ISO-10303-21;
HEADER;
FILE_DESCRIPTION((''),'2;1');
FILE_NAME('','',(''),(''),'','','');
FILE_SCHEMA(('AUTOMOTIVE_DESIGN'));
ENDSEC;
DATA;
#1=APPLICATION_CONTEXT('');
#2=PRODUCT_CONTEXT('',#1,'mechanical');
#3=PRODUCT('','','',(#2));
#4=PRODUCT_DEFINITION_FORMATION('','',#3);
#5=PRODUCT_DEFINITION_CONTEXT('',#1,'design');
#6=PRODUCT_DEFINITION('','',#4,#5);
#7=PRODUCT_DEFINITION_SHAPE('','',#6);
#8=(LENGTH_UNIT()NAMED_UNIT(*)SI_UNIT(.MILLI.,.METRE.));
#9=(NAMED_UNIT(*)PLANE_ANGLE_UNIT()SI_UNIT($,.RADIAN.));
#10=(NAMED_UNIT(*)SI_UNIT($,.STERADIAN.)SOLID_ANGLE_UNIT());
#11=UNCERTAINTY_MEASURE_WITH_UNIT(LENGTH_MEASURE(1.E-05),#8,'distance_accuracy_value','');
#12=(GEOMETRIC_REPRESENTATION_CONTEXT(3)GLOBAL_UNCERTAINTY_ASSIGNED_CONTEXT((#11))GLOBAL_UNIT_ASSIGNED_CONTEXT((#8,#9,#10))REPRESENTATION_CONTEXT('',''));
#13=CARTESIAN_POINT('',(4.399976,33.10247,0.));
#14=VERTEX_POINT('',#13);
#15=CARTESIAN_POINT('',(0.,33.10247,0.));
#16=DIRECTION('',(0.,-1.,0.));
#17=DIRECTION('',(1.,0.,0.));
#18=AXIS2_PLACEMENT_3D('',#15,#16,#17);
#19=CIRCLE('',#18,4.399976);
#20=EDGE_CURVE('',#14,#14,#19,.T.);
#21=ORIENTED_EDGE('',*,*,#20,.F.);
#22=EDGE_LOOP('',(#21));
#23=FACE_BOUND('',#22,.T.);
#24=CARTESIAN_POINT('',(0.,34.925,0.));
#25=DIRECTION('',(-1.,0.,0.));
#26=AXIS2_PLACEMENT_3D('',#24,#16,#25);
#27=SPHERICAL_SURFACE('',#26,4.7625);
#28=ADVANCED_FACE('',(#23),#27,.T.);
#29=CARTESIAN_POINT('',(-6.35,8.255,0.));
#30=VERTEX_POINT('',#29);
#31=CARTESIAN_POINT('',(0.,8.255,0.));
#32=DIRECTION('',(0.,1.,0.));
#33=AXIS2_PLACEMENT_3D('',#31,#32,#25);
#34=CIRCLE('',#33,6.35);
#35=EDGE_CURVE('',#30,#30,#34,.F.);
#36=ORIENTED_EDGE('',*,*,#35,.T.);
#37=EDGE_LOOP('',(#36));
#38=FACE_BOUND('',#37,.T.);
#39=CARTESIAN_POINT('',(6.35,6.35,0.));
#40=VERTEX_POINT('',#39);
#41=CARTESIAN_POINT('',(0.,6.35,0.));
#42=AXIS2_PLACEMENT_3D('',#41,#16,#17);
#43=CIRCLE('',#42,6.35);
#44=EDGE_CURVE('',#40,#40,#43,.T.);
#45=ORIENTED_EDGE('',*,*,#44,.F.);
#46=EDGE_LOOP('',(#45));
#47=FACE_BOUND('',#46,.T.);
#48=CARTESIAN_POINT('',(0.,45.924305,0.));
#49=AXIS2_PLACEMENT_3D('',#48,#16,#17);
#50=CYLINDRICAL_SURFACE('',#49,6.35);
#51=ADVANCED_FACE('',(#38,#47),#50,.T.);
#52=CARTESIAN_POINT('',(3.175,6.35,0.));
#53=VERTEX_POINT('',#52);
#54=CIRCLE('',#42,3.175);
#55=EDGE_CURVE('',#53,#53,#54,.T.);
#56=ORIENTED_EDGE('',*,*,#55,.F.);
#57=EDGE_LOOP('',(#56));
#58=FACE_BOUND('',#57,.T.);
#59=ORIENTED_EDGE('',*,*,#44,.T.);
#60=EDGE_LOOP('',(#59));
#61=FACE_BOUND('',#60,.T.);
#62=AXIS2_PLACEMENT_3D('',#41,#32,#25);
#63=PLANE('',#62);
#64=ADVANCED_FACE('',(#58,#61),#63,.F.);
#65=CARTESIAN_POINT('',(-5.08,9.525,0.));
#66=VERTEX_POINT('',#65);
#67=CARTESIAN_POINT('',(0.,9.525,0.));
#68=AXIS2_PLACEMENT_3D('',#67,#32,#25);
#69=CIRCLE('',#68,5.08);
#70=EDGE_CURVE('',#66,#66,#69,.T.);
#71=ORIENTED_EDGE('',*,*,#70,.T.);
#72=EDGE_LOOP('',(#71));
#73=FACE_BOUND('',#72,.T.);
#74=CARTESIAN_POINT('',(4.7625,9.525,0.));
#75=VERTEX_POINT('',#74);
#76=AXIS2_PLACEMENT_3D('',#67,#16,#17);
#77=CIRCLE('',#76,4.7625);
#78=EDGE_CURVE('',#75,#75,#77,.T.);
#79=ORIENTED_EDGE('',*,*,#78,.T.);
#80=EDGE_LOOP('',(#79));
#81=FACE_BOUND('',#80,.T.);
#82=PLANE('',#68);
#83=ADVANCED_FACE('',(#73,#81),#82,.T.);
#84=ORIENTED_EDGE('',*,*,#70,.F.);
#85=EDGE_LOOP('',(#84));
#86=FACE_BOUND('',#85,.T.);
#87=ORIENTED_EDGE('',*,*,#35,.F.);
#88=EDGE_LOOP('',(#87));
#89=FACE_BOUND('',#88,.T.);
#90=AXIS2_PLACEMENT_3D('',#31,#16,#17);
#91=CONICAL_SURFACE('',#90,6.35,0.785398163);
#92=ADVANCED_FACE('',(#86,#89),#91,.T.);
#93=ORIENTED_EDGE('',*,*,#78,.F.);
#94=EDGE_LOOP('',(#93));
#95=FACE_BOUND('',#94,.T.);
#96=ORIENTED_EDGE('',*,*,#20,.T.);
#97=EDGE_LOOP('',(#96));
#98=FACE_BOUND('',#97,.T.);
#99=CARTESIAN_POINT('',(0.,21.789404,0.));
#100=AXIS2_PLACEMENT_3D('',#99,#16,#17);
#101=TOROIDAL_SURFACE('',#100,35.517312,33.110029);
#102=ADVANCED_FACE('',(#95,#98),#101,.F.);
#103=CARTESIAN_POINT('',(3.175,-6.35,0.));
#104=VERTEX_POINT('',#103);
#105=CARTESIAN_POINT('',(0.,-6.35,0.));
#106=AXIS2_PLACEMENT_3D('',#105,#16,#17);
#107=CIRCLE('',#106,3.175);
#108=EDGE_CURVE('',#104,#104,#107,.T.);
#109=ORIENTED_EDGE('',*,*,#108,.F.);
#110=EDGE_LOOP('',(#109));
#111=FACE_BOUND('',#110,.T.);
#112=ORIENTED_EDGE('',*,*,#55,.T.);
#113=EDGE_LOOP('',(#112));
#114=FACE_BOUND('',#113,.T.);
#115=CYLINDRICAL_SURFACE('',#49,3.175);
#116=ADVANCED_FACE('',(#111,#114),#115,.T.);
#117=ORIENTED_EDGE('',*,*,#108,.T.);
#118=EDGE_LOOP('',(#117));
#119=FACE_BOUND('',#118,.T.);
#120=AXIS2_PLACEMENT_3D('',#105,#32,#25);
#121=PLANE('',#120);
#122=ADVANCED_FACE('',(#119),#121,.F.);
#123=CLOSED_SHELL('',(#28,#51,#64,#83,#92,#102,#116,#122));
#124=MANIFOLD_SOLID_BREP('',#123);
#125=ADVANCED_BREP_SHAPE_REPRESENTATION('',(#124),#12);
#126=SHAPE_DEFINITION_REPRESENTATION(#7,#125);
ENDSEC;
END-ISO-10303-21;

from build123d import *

# Parameters (mm, degrees)
SKETCH1_W     = 3.175
SKETCH1_H     = 12.7
CHAMFER1_SIZE = 1.27


with BuildPart() as part:
    # Sketch1 → Revolve1 (revolve)
    with BuildSketch(Plane.XY, mode=Mode.PRIVATE) as revolve1_sk:
        with BuildLine():
            ThreePointArc((-3.367596045, 31.557403955), (-1.822529847, 30.525023726), (0, 30.1625))
            Line((0, 30.1625), (0, 39.6875))
            ThreePointArc((0, 39.6875), (-3.367596045, 38.292596045), (-4.7625, 34.925))
            ThreePointArc((-4.7625, 34.925), (-4.670989898, 33.995882341), (-4.399976274, 33.102470153))
            ThreePointArc((-4.399976274, 33.102470153), (-3.959874029, 32.279096765), (-3.367596045, 31.557403955))
        make_face()
        with BuildLine():
            Line((-4.7625, 9.525), (0, 9.525))
            Line((0, 9.525), (0, 30.1625))
            ThreePointArc((0, 30.1625), (-1.822529847, 30.525023726), (-3.367596045, 31.557403955))
            ThreePointArc((-3.367596045, 31.557403955), (-3.959874029, 32.279096765), (-4.399976274, 33.102470153))
            ThreePointArc((-4.399976274, 33.102470153), (-2.411195624, 21.280368821), (-4.7625, 9.525))
        make_face()
        Polygon((-6.35, 6.35), (-3.175, 6.35), (0, 6.35), (0, 9.525), (-4.7625, 9.525), (-6.35, 9.525), align=None)
        with Locations((-1.5875, 0)):
            Rectangle(SKETCH1_W, SKETCH1_H)
    revolve(revolve1_sk.sketch.rotate(Axis((0, 45.924305238, 0), (0, 1, 0)), 180), axis=Axis((0, 45.924305238, 0), (0, 1, 0)))

    # Chamfer1
    chamfer1_edges = [part.edges().sort_by_distance(p)[0] for p in [
        (-6.35, 9.525, 0),
    ]]
    chamfer(chamfer1_edges, length=CHAMFER1_SIZE)


solid = part.part
